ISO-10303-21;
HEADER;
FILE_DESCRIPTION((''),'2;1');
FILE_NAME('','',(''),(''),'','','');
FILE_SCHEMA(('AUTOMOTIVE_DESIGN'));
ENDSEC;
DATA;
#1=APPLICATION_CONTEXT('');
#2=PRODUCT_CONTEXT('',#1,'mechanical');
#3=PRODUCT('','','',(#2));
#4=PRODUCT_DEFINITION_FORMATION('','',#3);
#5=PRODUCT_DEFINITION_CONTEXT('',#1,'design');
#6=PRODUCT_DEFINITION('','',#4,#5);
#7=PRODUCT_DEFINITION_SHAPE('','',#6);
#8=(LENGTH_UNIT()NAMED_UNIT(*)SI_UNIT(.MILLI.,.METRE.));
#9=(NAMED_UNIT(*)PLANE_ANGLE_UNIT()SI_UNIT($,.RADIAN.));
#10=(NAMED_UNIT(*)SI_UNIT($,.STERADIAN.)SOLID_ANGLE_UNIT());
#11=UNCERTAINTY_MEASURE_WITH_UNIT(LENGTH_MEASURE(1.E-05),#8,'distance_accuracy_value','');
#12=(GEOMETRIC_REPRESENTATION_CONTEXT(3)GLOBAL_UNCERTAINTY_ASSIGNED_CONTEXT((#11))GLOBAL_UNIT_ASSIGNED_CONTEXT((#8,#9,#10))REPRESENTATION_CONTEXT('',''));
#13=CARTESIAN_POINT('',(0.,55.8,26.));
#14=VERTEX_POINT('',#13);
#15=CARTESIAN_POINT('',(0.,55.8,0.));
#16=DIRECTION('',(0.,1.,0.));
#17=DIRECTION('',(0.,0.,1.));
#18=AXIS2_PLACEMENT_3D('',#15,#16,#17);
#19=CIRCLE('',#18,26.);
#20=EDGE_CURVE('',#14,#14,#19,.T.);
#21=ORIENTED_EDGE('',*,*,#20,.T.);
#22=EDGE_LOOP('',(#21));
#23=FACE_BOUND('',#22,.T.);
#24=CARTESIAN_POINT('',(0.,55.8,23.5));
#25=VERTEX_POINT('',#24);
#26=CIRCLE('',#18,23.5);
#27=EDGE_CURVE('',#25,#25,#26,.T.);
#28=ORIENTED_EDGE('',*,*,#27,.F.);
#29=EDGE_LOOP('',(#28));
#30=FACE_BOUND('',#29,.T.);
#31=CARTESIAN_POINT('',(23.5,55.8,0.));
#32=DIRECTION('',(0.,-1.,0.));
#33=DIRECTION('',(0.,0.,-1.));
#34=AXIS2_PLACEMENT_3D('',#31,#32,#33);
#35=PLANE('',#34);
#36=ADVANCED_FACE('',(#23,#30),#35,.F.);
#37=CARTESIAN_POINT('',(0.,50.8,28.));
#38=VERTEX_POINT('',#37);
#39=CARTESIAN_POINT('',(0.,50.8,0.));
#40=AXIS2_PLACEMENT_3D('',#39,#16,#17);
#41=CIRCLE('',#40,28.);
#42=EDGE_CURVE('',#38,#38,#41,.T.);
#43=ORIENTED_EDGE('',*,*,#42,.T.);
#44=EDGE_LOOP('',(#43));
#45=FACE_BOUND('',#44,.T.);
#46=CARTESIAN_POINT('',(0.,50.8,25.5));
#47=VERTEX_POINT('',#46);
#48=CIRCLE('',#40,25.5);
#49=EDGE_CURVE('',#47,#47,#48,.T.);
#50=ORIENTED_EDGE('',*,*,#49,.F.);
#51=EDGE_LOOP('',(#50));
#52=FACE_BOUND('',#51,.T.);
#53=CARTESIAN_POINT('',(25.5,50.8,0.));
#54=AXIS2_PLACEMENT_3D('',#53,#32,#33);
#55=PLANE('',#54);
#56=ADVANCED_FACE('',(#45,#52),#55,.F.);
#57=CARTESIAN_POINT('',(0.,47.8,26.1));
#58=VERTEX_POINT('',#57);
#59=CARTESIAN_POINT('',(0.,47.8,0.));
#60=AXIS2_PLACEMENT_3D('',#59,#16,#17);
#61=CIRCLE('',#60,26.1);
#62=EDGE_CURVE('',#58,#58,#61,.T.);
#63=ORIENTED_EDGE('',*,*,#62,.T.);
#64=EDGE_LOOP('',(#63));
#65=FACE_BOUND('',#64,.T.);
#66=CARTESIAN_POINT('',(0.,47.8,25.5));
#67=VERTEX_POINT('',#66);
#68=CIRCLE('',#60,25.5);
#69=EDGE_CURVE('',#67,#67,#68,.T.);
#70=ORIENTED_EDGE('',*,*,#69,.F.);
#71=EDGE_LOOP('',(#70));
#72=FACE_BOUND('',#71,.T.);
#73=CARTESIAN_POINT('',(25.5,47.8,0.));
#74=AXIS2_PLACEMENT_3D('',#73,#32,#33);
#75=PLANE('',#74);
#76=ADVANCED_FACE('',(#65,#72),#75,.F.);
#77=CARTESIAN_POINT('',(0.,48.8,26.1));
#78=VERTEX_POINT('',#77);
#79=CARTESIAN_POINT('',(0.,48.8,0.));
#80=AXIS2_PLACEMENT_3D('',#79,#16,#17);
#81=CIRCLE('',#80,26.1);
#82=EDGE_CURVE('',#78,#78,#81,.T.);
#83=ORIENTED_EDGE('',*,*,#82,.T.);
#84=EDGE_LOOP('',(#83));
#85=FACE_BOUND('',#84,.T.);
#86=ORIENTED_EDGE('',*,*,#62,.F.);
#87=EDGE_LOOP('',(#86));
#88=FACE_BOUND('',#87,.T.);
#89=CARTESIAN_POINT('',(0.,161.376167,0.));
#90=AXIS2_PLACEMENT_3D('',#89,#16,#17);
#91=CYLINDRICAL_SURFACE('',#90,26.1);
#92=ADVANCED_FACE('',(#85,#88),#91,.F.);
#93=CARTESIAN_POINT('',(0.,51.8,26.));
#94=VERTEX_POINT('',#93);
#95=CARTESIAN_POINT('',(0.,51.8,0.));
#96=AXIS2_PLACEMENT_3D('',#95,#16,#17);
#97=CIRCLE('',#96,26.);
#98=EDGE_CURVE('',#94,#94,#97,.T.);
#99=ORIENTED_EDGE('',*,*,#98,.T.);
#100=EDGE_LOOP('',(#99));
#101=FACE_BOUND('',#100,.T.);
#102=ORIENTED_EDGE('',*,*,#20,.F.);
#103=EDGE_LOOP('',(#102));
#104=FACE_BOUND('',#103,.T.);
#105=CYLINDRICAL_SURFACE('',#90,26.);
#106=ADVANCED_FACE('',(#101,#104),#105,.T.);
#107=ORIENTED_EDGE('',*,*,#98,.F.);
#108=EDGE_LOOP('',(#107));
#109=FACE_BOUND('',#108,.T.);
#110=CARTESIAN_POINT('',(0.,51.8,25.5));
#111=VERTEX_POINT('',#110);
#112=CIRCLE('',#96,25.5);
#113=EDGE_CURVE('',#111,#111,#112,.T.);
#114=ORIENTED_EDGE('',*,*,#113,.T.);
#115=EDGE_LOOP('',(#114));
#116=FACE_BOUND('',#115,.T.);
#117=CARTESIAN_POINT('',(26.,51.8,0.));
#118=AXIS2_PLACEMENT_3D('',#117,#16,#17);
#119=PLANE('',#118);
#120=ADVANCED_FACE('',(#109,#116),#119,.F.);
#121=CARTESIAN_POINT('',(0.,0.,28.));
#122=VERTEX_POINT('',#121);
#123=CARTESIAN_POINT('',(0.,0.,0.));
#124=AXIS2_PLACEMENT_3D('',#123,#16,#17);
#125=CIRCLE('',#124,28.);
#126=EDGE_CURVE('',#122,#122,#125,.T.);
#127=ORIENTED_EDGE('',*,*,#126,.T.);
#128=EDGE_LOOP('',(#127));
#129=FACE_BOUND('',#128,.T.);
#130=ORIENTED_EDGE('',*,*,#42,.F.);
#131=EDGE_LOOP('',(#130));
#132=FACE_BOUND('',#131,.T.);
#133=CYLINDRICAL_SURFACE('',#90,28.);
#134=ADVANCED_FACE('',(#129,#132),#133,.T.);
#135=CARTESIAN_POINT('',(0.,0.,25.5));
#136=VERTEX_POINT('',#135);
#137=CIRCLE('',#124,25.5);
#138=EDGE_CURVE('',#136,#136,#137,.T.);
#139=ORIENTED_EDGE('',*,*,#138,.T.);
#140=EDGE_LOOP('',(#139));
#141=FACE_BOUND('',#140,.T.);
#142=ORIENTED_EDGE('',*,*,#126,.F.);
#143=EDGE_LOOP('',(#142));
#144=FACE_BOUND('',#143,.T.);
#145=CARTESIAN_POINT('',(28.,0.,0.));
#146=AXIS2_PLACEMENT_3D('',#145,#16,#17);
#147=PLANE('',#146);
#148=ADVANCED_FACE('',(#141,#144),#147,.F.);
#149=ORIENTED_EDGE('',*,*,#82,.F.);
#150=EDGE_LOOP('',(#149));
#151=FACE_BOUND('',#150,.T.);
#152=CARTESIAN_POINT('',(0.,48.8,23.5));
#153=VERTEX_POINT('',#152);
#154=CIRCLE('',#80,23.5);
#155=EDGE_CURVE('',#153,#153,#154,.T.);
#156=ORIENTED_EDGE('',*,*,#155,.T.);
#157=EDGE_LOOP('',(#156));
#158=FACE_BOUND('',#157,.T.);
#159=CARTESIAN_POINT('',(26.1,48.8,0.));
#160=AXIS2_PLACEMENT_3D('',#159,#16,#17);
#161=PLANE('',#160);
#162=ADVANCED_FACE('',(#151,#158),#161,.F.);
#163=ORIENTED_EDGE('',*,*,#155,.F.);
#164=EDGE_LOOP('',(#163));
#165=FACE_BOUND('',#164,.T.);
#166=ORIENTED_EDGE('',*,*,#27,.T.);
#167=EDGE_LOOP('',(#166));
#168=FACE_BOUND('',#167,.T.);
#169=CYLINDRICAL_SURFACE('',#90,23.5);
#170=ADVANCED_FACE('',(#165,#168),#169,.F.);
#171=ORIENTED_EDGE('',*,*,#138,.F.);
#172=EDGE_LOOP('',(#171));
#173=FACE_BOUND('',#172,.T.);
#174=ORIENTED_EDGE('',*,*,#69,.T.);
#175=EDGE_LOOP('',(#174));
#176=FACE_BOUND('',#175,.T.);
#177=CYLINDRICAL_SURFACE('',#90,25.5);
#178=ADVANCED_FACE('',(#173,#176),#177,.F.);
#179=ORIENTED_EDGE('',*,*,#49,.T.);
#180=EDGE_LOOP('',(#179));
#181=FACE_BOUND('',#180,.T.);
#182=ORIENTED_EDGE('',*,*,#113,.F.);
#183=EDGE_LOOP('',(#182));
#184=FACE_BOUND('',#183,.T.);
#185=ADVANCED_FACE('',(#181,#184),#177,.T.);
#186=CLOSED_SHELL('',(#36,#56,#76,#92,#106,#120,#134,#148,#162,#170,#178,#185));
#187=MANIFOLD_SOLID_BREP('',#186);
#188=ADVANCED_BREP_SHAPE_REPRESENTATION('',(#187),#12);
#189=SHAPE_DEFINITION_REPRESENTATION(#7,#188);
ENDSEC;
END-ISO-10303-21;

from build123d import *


with BuildPart() as part:
    # 草图1 → 旋转1 (revolve)
    with BuildSketch(Plane.XY, mode=Mode.PRIVATE) as revolve_1_sk:
        Polygon((23.5, 55.8), (26, 55.8), (26, 51.8), (25.5, 51.8), (25.5, 50.8), (28, 50.8), (28, 0), (25.5, 0), (25.5, 47.8), (26.1, 47.8), (26.1, 48.8), (23.5, 48.8), align=None)
    revolve(revolve_1_sk.sketch.rotate(Axis((0, 161.376166943, 0), (0, -1, 0)), 90), axis=Axis((0, 161.376166943, 0), (0, -1, 0)))  # turned: the seam where the file's is


solid = part.part
